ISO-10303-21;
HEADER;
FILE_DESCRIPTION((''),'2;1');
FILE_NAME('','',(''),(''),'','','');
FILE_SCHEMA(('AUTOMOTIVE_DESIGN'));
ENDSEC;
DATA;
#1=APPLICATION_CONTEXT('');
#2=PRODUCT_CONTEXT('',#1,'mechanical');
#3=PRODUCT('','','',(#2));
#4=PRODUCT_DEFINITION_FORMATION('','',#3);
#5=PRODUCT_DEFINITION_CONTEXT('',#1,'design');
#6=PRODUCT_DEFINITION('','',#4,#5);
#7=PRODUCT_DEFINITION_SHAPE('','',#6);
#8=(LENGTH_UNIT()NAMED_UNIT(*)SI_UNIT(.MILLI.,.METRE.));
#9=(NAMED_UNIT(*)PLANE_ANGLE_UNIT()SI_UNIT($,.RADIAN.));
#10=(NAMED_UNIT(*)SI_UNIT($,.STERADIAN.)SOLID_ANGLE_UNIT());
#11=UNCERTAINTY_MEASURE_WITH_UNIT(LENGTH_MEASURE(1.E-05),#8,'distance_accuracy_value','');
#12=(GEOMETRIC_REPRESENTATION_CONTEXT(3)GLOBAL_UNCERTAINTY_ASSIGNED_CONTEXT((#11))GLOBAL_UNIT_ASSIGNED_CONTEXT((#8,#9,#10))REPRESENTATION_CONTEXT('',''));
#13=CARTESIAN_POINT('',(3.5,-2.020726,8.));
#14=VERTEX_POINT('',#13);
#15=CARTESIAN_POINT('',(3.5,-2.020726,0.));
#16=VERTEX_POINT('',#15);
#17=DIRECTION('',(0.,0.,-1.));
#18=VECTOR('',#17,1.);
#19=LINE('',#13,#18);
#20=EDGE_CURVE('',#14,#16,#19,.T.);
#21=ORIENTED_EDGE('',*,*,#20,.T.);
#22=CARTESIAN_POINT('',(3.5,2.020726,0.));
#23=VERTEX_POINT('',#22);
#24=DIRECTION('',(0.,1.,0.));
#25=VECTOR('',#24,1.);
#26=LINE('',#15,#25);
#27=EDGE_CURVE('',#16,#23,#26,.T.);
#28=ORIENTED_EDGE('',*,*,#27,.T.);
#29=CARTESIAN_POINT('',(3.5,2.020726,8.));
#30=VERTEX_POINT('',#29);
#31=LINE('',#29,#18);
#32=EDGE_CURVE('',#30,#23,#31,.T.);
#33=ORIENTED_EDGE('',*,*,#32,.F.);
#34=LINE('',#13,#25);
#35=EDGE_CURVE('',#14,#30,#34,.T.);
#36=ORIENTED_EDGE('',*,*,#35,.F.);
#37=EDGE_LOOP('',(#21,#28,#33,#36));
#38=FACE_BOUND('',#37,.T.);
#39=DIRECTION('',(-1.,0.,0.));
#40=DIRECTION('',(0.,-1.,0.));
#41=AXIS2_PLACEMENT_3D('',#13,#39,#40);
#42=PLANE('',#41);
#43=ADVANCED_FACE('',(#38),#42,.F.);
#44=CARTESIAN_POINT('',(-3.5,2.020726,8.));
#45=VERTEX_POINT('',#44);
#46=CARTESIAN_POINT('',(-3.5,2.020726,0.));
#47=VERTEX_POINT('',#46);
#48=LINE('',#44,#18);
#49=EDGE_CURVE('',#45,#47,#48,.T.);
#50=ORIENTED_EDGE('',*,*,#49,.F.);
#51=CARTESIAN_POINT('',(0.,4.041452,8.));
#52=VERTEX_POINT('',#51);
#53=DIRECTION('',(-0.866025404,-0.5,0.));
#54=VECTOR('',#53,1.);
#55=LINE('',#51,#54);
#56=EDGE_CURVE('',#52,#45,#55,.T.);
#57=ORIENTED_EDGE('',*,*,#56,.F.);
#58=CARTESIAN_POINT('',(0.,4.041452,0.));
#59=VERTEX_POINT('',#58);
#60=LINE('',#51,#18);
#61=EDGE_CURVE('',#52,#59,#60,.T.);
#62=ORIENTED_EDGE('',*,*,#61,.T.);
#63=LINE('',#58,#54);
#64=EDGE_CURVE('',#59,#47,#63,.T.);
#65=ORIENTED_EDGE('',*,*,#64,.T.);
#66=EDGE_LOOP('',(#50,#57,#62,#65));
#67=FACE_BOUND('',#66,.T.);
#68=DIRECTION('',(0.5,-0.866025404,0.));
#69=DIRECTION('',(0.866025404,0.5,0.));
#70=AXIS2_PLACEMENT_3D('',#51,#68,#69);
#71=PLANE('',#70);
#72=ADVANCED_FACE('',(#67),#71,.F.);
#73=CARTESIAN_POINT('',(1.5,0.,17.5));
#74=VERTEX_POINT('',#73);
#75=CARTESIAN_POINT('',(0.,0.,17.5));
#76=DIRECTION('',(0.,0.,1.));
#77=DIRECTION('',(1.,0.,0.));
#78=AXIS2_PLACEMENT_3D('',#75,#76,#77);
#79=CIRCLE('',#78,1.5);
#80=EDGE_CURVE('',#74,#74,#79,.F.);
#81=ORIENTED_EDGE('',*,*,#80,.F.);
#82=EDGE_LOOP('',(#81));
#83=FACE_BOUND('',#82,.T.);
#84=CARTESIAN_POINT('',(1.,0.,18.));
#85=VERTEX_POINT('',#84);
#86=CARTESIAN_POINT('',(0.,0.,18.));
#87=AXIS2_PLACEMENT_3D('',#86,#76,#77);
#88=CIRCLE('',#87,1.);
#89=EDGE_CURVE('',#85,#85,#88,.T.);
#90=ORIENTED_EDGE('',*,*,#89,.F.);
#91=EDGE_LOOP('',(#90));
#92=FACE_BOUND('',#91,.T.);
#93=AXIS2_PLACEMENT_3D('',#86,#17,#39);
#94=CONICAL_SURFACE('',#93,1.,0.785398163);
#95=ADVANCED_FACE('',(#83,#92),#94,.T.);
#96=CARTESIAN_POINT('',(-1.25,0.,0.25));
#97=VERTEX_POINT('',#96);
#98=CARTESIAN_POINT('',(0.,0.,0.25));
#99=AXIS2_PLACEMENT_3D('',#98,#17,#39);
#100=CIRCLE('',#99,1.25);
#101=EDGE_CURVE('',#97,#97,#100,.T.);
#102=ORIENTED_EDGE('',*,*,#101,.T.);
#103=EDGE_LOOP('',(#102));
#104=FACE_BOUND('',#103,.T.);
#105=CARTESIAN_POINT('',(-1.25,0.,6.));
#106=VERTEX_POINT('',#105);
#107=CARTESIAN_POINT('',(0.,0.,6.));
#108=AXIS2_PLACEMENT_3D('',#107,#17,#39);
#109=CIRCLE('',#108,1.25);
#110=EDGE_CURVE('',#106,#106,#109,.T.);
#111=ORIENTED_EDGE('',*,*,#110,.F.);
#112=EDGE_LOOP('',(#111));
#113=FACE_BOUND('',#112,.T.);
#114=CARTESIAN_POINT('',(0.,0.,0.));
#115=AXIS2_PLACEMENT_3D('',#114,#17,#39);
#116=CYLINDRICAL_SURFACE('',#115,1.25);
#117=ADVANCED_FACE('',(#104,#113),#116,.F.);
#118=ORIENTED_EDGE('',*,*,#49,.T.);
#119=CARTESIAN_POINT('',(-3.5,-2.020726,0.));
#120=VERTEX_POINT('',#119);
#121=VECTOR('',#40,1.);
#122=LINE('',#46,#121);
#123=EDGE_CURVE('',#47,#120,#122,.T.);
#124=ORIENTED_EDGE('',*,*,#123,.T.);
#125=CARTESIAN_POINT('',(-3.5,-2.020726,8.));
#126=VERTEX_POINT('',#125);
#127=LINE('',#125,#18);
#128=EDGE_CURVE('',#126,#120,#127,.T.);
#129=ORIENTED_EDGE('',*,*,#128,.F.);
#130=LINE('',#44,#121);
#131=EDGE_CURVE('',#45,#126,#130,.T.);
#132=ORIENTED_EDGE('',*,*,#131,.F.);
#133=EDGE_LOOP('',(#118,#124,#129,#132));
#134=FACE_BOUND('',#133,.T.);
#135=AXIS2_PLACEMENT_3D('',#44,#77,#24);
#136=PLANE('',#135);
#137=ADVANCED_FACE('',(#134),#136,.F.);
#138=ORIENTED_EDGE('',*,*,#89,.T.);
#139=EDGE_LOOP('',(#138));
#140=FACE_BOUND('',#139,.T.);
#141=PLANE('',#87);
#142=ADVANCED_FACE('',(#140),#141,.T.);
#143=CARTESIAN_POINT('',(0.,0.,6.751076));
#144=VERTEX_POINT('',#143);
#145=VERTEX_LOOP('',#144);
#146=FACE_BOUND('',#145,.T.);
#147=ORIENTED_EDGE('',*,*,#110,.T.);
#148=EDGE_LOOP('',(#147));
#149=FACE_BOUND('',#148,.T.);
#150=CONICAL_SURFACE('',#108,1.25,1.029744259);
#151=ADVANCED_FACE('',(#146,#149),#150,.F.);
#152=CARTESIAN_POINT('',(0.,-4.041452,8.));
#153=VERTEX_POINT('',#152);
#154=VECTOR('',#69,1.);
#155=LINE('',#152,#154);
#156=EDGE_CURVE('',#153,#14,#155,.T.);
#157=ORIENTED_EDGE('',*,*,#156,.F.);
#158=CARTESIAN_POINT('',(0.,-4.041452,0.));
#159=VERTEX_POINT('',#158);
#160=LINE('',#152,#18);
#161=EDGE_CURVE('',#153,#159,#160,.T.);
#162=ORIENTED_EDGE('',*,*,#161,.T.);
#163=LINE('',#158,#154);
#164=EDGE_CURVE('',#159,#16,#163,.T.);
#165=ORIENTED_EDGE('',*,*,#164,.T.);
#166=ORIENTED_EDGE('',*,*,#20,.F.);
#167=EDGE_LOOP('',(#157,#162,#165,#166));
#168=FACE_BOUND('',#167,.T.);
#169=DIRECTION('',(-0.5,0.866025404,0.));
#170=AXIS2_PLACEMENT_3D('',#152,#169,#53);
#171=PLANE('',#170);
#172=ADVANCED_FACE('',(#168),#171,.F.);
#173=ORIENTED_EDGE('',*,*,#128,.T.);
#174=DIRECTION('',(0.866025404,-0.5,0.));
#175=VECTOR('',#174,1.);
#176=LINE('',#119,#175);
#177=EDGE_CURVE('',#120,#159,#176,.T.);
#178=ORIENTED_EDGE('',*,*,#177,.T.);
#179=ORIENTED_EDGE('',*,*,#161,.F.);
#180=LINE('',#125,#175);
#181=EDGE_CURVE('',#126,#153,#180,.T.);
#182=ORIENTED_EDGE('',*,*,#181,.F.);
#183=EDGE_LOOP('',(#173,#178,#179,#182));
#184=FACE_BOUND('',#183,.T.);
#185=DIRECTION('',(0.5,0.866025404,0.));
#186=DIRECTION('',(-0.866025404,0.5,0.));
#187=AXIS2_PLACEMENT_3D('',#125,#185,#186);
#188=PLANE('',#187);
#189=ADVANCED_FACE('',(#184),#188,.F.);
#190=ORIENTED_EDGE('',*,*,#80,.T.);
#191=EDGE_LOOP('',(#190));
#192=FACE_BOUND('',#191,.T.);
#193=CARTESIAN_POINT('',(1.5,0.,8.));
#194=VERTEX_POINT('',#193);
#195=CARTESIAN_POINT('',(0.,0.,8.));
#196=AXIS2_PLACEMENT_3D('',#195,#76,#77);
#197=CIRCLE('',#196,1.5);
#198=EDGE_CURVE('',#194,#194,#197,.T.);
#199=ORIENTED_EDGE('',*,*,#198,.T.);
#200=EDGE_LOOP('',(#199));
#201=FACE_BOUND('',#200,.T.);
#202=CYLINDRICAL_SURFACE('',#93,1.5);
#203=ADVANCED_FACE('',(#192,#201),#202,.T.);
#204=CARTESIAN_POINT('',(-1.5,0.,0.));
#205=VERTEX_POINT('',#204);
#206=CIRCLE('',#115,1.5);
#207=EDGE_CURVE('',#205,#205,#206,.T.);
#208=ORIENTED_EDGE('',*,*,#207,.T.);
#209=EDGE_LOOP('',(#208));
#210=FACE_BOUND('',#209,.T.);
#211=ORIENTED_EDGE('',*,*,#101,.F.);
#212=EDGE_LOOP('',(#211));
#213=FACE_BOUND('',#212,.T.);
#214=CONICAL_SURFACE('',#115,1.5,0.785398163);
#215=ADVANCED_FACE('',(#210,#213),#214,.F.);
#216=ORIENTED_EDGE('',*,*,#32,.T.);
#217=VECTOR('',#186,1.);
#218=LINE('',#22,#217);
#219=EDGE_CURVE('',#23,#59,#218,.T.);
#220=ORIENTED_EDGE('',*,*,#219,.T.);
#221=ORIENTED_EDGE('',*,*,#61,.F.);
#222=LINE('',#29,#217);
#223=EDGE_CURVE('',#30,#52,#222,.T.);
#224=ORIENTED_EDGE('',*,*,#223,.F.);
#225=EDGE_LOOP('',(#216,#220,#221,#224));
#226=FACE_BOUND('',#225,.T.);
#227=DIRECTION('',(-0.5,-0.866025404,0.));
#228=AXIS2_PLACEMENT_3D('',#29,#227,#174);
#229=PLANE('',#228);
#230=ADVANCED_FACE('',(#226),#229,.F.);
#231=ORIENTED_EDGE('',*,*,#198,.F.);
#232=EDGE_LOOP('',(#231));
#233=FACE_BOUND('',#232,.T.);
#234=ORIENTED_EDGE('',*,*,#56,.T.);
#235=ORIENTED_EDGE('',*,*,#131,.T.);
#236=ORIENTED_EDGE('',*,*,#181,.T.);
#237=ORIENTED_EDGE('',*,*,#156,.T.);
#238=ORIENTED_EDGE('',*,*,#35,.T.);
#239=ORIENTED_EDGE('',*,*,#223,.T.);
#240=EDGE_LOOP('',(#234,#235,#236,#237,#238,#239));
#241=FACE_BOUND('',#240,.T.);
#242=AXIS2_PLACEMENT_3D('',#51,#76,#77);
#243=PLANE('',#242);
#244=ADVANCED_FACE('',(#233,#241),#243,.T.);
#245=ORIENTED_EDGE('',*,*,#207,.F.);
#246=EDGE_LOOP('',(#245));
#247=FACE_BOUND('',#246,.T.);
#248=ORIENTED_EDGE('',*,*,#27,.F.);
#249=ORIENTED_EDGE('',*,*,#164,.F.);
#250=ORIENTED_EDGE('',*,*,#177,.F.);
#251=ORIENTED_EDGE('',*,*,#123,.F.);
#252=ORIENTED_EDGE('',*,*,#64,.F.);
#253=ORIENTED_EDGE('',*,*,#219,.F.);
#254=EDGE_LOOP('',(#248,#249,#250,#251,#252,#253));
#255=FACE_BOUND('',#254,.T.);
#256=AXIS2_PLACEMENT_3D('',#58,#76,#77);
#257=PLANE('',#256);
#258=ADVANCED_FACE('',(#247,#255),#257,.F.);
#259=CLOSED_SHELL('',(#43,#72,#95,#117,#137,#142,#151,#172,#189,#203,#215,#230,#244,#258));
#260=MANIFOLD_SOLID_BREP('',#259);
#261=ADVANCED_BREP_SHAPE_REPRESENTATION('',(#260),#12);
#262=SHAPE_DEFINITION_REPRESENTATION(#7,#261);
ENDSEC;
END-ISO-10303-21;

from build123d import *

# Parameters (mm, degrees)
EXTRUDE_1_DEPTH     = 8
SKETCH_2_R          = 1.5
EXTRUDE_2_DEPTH     = 10
M3X0_51_D           = 2.5
M3X0_51_DEPTH       = 6
M3X0_51_CSINK_D     = 3
M3X0_51_CSINK_ANGLE = 90
M3X0_51_TIP         = 0.751075774
CHAMFER_1_SIZE      = 0.5


with BuildPart() as part:
    # Эскиз1 → Вытянуть1 (new body)
    with BuildSketch(Plane.XY):
        Polygon((0, 4.041451884), (-3.5, 2.020725942), (-3.5, -2.020725942), (0, -4.041451884), (3.5, -2.020725942), (3.5, 2.020725942), align=None)
    extrude(amount=EXTRUDE_1_DEPTH)

    # Эскиз2 → Вытянуть2 (add)
    with BuildSketch(Plane.XY.offset(8)):
        Circle(SKETCH_2_R)
    extrude(amount=EXTRUDE_2_DEPTH)

    # Сверление под метчик M3x0.51
    with Locations(Plane(origin=(0, 0, 0), x_dir=(-1, 0, 0), z_dir=(0, 0, -1))):
        with Locations((0, 0)):
            CounterSinkHole(M3X0_51_D / 2, M3X0_51_CSINK_D / 2, depth=M3X0_51_DEPTH, counter_sink_angle=M3X0_51_CSINK_ANGLE)
            with Locations((0, 0, -(M3X0_51_DEPTH + M3X0_51_TIP / 2))):  # 118° drill point
                Cone(0, M3X0_51_D / 2, M3X0_51_TIP, mode=Mode.SUBTRACT)

    # Фаска1
    chamfer_1_edges = [part.edges().sort_by_distance(p)[0] for p in [
        (-1.5, 0, 18),
    ]]
    chamfer(chamfer_1_edges, length=CHAMFER_1_SIZE)


solid = part.part
